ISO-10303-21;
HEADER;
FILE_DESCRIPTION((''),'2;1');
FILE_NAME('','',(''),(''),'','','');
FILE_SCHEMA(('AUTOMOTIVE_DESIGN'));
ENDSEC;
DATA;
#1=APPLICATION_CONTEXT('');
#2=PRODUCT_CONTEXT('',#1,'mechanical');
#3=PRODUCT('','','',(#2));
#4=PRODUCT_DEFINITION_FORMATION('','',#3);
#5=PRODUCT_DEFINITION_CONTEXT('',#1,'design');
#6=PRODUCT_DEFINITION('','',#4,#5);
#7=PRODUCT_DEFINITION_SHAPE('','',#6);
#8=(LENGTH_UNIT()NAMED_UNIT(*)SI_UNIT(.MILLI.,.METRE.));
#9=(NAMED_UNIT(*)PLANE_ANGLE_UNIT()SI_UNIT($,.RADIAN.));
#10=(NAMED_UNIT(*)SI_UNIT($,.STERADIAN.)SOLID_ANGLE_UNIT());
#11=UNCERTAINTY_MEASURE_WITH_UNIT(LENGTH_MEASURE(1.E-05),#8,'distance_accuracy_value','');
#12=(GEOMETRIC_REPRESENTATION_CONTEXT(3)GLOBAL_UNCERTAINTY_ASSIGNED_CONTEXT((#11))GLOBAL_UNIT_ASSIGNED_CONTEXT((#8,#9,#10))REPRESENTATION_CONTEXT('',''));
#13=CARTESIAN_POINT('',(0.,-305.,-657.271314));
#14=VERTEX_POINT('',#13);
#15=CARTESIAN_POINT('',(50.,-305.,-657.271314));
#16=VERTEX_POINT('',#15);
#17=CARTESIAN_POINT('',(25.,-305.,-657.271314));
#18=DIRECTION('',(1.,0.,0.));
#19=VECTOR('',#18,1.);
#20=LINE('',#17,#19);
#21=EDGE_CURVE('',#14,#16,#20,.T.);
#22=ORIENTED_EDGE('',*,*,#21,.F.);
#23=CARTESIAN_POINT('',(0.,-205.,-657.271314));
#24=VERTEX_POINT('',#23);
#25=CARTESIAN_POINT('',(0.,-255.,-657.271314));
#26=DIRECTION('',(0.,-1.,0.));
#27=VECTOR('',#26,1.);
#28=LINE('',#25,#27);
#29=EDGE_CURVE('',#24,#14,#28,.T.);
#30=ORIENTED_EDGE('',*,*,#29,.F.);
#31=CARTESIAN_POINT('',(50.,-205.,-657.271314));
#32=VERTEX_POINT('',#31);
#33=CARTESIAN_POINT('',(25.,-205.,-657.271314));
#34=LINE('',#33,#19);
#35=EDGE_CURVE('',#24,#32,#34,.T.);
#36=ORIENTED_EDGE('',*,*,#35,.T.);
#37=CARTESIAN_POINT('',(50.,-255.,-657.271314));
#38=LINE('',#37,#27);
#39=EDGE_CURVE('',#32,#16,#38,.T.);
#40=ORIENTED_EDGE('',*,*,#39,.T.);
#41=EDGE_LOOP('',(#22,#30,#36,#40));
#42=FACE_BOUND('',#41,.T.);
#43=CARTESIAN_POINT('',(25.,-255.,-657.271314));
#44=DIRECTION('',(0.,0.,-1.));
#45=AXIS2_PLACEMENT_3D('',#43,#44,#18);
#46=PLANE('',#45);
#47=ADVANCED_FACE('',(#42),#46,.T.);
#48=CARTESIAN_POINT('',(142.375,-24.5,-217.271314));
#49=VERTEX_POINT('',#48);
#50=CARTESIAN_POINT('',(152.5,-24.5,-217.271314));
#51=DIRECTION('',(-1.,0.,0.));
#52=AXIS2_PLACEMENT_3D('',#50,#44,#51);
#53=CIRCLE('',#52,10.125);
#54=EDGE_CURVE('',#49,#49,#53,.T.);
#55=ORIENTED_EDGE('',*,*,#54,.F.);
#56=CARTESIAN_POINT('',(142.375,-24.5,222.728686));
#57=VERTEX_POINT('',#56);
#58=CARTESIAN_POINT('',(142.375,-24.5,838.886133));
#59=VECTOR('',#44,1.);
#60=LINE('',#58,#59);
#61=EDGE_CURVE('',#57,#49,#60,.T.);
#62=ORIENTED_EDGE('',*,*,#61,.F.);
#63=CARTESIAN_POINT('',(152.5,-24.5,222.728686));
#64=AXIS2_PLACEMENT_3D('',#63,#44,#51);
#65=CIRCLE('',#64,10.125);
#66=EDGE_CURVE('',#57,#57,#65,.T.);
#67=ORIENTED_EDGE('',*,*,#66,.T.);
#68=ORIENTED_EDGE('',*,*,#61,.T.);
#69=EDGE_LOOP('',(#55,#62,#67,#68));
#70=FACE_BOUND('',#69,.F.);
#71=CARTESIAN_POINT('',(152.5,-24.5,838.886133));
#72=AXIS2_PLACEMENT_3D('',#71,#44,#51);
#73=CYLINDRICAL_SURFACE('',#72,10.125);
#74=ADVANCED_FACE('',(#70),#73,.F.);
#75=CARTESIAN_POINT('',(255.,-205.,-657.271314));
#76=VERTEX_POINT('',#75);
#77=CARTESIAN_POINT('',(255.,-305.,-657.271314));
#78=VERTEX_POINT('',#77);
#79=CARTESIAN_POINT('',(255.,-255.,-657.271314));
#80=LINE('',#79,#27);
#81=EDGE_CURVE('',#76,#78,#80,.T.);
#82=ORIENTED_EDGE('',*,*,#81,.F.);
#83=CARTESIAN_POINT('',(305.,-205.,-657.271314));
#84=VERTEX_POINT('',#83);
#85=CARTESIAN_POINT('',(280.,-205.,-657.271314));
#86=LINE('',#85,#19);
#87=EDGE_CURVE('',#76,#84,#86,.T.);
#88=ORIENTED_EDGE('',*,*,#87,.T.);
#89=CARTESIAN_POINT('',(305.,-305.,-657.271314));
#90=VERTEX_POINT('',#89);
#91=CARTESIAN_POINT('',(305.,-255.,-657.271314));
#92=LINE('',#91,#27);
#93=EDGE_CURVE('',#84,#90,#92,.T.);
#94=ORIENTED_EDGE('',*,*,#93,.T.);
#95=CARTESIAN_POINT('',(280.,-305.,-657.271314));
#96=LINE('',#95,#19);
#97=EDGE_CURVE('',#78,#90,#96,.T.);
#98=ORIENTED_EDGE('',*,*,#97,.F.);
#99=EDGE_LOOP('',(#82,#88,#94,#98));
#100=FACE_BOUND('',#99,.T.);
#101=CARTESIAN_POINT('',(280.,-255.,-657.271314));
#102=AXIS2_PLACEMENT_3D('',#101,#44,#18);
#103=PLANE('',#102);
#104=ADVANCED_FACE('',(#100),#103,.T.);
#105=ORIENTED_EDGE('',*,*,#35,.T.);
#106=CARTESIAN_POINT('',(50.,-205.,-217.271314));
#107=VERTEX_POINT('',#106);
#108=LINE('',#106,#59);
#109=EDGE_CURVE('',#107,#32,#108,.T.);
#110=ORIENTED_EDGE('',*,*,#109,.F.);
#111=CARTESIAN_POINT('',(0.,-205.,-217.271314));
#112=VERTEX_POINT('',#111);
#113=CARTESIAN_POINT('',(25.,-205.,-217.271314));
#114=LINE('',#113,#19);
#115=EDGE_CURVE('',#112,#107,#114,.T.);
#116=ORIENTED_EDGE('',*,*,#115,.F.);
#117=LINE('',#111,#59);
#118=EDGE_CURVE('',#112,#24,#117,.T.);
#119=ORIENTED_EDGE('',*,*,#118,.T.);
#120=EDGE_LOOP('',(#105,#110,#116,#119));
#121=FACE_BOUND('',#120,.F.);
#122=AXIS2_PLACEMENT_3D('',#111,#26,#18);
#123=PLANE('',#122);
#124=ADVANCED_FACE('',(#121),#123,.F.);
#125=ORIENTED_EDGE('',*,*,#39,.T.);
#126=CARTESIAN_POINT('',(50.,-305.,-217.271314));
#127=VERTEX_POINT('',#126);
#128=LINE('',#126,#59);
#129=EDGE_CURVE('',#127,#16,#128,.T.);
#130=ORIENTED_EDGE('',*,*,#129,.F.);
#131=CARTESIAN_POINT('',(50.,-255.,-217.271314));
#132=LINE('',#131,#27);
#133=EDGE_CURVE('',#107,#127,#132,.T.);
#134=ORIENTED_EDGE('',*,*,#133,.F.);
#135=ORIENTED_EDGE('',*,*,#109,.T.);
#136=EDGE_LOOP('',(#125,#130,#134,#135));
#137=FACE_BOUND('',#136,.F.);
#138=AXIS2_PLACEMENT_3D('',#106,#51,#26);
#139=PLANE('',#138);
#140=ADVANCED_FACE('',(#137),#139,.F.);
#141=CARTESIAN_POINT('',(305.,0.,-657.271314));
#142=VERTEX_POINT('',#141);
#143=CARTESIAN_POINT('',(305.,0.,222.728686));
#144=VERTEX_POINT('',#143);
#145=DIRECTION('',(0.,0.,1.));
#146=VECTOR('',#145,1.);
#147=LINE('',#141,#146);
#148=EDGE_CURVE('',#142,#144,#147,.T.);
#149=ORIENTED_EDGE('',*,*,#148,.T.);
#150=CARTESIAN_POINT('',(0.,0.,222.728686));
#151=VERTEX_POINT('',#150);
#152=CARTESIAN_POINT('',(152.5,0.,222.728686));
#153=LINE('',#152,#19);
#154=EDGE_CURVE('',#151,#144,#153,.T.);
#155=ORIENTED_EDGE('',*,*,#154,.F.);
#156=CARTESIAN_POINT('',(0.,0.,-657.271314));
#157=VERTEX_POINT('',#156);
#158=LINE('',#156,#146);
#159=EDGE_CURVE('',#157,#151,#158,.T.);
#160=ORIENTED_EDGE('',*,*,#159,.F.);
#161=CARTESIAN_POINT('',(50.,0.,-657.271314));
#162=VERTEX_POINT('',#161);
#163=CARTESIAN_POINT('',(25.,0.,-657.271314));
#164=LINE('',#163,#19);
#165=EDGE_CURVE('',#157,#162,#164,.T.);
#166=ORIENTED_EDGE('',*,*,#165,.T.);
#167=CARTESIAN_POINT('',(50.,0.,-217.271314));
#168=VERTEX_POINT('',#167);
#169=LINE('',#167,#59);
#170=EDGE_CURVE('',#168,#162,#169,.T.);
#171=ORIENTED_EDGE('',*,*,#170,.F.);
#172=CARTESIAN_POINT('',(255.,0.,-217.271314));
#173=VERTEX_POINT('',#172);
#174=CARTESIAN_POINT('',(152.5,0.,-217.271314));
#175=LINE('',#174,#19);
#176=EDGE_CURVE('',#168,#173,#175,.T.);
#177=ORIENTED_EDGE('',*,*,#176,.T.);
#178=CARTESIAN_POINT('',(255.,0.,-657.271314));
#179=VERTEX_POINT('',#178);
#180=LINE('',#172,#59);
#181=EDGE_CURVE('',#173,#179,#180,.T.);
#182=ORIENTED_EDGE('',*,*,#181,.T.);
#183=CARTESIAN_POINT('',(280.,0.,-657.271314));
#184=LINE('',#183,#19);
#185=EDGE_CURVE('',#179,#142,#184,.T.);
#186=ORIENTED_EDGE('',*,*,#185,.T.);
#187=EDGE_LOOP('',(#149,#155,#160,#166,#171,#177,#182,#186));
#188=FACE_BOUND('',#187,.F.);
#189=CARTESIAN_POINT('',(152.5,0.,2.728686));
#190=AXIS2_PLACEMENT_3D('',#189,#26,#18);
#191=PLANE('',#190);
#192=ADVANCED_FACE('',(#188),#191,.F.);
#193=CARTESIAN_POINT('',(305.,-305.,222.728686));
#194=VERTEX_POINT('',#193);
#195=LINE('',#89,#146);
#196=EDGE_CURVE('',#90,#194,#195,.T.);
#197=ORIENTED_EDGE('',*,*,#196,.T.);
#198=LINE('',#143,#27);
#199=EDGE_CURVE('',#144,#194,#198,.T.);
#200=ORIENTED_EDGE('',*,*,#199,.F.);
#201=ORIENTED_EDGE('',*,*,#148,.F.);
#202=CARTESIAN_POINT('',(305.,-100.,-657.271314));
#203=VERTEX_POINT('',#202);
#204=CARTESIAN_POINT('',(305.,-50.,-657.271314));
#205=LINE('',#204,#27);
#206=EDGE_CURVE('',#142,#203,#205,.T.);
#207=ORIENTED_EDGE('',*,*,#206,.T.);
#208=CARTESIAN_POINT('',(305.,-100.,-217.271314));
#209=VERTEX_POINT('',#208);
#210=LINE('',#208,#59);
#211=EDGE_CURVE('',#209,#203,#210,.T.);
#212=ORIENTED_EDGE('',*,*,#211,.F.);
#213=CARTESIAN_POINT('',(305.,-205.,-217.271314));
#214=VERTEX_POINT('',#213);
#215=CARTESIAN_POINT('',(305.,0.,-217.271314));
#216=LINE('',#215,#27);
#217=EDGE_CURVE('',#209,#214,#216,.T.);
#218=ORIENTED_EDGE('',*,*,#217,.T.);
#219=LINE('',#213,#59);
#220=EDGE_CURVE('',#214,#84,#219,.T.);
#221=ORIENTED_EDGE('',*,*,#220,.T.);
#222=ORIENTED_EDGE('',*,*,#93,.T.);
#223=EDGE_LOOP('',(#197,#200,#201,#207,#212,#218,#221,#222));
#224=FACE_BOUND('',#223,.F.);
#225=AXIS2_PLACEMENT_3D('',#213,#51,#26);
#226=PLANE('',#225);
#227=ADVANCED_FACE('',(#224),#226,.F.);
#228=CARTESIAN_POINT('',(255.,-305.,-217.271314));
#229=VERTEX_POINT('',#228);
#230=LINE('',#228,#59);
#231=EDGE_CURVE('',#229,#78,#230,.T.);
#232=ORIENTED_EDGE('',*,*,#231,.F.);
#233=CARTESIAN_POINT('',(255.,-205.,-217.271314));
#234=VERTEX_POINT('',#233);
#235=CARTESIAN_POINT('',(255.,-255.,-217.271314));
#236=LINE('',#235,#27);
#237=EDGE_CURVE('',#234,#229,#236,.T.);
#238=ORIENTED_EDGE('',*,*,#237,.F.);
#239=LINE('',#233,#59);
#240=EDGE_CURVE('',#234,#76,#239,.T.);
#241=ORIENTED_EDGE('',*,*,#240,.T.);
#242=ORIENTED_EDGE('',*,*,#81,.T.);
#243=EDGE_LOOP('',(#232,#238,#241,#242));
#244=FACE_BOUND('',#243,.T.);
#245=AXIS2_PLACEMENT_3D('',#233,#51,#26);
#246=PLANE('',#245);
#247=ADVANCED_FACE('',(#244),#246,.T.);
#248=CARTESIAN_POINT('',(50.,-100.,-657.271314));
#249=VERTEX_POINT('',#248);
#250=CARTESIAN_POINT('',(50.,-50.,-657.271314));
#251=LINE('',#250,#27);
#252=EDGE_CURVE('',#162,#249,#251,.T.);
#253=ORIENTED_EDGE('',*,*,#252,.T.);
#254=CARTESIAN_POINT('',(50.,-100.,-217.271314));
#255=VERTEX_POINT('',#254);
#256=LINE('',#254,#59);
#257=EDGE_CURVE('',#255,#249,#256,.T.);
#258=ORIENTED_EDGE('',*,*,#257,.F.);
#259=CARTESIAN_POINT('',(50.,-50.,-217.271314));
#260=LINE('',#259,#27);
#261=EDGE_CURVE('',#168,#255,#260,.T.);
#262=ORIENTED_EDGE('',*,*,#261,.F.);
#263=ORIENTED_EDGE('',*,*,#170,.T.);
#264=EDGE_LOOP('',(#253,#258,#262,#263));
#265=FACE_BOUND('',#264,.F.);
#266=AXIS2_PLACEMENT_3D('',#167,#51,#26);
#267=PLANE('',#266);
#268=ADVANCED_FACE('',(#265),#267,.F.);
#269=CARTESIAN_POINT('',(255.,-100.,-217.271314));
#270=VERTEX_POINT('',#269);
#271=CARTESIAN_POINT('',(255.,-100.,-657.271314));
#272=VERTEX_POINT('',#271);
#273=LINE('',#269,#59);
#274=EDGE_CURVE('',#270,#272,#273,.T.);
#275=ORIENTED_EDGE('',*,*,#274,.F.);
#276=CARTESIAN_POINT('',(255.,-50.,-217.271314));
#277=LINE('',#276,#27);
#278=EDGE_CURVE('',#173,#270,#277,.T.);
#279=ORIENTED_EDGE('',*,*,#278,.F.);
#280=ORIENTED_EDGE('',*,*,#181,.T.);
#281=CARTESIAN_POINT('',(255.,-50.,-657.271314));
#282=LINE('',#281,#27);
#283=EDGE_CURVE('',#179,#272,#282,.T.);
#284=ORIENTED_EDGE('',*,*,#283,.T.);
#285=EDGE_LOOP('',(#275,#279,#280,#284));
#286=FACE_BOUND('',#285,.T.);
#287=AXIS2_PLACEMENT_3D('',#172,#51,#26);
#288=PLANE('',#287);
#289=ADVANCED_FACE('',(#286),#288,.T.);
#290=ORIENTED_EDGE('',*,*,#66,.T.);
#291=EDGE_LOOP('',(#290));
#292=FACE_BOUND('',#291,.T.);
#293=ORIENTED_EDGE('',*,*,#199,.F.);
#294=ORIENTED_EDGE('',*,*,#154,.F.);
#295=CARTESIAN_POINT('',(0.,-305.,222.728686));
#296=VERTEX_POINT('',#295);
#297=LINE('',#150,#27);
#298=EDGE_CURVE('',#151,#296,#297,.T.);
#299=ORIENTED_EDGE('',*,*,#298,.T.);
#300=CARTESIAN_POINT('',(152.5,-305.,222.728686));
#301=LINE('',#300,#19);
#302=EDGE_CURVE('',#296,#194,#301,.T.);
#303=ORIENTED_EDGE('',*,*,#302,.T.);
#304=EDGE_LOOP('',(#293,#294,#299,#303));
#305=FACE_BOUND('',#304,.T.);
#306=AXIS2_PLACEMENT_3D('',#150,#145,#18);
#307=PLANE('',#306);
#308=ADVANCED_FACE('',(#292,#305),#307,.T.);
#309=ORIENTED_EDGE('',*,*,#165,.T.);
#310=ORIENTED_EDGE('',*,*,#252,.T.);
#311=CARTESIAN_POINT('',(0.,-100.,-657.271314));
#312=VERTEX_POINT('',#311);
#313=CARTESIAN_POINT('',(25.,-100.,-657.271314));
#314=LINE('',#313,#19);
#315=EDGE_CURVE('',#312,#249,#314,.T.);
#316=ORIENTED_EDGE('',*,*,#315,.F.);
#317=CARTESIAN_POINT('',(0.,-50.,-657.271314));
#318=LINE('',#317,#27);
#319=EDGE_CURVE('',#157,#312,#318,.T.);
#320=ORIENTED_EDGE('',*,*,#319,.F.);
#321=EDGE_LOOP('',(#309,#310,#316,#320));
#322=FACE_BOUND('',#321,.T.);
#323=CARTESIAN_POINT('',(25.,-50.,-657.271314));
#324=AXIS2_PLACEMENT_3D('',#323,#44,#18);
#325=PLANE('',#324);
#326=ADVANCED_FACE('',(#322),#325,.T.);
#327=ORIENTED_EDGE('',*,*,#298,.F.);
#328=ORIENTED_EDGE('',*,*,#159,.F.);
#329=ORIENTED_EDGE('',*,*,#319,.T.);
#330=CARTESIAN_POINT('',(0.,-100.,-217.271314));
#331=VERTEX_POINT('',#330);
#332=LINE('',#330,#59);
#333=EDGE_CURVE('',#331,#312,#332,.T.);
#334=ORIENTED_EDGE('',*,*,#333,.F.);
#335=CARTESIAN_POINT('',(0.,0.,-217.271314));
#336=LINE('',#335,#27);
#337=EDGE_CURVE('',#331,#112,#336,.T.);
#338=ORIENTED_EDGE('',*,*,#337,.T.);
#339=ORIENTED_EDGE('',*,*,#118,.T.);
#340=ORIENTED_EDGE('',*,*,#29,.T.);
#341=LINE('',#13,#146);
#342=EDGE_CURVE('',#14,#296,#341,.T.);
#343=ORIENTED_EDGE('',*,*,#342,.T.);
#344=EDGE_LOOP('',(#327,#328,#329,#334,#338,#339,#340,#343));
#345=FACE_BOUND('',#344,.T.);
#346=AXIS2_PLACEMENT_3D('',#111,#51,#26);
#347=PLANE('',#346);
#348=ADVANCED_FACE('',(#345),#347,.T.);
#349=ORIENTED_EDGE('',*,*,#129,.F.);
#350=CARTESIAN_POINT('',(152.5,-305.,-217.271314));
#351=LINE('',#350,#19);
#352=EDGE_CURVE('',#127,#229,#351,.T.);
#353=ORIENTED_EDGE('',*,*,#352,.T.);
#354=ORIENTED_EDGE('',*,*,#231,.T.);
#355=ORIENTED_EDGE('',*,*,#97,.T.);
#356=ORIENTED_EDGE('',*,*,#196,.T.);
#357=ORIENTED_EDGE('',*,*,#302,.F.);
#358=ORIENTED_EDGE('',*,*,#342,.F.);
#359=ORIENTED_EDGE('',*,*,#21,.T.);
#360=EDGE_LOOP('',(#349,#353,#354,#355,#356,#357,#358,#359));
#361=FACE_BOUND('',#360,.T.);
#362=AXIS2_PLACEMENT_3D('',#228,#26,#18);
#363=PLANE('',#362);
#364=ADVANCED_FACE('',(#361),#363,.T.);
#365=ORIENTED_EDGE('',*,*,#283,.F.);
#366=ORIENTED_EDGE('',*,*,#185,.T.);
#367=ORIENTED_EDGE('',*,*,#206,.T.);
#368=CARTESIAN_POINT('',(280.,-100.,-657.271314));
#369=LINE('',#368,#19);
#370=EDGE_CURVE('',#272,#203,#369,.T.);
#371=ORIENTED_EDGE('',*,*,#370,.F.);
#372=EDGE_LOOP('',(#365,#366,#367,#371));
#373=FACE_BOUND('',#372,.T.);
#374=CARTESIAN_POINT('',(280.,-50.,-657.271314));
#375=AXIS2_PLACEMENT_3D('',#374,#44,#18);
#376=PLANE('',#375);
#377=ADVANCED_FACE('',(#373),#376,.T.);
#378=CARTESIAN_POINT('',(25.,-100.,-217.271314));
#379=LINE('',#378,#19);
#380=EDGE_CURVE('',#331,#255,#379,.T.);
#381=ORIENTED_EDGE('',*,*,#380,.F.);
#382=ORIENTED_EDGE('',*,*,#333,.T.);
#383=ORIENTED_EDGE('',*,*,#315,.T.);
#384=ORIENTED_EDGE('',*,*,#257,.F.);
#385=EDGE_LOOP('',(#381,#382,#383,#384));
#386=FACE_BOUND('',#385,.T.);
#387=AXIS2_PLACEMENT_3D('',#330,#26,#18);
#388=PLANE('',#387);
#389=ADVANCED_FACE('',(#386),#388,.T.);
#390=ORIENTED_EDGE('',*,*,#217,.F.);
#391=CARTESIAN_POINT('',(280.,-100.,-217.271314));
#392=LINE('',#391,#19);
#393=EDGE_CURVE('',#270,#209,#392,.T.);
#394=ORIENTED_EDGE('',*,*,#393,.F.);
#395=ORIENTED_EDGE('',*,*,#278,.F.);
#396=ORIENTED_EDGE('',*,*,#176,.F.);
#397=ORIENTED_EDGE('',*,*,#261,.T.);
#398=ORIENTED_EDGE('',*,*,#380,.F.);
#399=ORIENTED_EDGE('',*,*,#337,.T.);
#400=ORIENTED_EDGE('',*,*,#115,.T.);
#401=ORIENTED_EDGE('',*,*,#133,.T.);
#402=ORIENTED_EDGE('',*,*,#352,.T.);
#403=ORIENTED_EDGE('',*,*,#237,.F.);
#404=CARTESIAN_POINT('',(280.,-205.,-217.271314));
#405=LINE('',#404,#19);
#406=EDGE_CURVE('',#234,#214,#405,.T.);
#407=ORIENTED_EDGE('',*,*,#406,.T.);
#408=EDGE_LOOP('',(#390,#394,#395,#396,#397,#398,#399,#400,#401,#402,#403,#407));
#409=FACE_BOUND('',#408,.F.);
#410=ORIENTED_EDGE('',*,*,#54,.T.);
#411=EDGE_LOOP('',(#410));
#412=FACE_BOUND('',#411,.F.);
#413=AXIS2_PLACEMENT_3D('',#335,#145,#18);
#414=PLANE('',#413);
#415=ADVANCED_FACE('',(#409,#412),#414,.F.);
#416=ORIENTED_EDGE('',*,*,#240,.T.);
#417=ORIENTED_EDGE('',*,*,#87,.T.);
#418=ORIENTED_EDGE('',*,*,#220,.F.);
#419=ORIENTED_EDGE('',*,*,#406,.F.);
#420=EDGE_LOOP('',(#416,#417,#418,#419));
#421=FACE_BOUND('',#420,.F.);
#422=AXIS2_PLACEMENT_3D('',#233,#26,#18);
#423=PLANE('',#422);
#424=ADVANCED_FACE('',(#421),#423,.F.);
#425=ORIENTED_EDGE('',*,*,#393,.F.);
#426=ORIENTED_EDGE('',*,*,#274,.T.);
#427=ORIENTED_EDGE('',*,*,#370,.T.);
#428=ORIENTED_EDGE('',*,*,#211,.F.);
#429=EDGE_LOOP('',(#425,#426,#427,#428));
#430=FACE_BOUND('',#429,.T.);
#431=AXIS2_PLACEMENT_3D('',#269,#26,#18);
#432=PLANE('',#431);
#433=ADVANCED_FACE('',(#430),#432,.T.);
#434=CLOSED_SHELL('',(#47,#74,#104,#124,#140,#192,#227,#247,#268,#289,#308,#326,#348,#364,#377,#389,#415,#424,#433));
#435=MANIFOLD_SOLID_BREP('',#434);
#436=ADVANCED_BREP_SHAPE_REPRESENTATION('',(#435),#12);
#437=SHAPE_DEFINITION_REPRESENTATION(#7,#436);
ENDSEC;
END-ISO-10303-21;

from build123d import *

# Parameters (mm, degrees)
F0_W     = 305
F0_H     = 440
F1_DEPTH = 305
F3_D     = 20.25
F4_W     = 50
F4_H     = 100
F5_DEPTH = 440
F6_DEPTH = 440


with BuildPart() as f1:
    # F0 (on Front) → F1 (new body)
    with BuildSketch(Plane.XZ):
        with Locations((152.5, 2.728686)):
            Rectangle(F0_W, F0_H)
    extrude(amount=F1_DEPTH)

    # F3 (through all)
    with Locations(Plane.XY.offset(222.728686)):
        with Locations((152.5, -24.5)):
            Hole(F3_D / 2)

    # F4 (on face) → F5 (join)
    with BuildSketch(Plane(origin=(0, 0, -217.271314), x_dir=(1, 0, 0), z_dir=(0, 0, -1))):
        with Locations((25, 255)):
            Rectangle(F4_W, F4_H)
    extrude(amount=F5_DEPTH)

    # F4 (on face) → F6 (join)
    with BuildSketch(Plane(origin=(0, 0, -217.271314), x_dir=(1, 0, 0), z_dir=(0, 0, -1))):
        with Locations((280, 255)):
            Rectangle(F4_W, F4_H)
        with Locations((280, 50)):
            Rectangle(F4_W, F4_H)
        with Locations((25, 50)):
            Rectangle(F4_W, F4_H)
    extrude(amount=F6_DEPTH)


solid = f1.part
